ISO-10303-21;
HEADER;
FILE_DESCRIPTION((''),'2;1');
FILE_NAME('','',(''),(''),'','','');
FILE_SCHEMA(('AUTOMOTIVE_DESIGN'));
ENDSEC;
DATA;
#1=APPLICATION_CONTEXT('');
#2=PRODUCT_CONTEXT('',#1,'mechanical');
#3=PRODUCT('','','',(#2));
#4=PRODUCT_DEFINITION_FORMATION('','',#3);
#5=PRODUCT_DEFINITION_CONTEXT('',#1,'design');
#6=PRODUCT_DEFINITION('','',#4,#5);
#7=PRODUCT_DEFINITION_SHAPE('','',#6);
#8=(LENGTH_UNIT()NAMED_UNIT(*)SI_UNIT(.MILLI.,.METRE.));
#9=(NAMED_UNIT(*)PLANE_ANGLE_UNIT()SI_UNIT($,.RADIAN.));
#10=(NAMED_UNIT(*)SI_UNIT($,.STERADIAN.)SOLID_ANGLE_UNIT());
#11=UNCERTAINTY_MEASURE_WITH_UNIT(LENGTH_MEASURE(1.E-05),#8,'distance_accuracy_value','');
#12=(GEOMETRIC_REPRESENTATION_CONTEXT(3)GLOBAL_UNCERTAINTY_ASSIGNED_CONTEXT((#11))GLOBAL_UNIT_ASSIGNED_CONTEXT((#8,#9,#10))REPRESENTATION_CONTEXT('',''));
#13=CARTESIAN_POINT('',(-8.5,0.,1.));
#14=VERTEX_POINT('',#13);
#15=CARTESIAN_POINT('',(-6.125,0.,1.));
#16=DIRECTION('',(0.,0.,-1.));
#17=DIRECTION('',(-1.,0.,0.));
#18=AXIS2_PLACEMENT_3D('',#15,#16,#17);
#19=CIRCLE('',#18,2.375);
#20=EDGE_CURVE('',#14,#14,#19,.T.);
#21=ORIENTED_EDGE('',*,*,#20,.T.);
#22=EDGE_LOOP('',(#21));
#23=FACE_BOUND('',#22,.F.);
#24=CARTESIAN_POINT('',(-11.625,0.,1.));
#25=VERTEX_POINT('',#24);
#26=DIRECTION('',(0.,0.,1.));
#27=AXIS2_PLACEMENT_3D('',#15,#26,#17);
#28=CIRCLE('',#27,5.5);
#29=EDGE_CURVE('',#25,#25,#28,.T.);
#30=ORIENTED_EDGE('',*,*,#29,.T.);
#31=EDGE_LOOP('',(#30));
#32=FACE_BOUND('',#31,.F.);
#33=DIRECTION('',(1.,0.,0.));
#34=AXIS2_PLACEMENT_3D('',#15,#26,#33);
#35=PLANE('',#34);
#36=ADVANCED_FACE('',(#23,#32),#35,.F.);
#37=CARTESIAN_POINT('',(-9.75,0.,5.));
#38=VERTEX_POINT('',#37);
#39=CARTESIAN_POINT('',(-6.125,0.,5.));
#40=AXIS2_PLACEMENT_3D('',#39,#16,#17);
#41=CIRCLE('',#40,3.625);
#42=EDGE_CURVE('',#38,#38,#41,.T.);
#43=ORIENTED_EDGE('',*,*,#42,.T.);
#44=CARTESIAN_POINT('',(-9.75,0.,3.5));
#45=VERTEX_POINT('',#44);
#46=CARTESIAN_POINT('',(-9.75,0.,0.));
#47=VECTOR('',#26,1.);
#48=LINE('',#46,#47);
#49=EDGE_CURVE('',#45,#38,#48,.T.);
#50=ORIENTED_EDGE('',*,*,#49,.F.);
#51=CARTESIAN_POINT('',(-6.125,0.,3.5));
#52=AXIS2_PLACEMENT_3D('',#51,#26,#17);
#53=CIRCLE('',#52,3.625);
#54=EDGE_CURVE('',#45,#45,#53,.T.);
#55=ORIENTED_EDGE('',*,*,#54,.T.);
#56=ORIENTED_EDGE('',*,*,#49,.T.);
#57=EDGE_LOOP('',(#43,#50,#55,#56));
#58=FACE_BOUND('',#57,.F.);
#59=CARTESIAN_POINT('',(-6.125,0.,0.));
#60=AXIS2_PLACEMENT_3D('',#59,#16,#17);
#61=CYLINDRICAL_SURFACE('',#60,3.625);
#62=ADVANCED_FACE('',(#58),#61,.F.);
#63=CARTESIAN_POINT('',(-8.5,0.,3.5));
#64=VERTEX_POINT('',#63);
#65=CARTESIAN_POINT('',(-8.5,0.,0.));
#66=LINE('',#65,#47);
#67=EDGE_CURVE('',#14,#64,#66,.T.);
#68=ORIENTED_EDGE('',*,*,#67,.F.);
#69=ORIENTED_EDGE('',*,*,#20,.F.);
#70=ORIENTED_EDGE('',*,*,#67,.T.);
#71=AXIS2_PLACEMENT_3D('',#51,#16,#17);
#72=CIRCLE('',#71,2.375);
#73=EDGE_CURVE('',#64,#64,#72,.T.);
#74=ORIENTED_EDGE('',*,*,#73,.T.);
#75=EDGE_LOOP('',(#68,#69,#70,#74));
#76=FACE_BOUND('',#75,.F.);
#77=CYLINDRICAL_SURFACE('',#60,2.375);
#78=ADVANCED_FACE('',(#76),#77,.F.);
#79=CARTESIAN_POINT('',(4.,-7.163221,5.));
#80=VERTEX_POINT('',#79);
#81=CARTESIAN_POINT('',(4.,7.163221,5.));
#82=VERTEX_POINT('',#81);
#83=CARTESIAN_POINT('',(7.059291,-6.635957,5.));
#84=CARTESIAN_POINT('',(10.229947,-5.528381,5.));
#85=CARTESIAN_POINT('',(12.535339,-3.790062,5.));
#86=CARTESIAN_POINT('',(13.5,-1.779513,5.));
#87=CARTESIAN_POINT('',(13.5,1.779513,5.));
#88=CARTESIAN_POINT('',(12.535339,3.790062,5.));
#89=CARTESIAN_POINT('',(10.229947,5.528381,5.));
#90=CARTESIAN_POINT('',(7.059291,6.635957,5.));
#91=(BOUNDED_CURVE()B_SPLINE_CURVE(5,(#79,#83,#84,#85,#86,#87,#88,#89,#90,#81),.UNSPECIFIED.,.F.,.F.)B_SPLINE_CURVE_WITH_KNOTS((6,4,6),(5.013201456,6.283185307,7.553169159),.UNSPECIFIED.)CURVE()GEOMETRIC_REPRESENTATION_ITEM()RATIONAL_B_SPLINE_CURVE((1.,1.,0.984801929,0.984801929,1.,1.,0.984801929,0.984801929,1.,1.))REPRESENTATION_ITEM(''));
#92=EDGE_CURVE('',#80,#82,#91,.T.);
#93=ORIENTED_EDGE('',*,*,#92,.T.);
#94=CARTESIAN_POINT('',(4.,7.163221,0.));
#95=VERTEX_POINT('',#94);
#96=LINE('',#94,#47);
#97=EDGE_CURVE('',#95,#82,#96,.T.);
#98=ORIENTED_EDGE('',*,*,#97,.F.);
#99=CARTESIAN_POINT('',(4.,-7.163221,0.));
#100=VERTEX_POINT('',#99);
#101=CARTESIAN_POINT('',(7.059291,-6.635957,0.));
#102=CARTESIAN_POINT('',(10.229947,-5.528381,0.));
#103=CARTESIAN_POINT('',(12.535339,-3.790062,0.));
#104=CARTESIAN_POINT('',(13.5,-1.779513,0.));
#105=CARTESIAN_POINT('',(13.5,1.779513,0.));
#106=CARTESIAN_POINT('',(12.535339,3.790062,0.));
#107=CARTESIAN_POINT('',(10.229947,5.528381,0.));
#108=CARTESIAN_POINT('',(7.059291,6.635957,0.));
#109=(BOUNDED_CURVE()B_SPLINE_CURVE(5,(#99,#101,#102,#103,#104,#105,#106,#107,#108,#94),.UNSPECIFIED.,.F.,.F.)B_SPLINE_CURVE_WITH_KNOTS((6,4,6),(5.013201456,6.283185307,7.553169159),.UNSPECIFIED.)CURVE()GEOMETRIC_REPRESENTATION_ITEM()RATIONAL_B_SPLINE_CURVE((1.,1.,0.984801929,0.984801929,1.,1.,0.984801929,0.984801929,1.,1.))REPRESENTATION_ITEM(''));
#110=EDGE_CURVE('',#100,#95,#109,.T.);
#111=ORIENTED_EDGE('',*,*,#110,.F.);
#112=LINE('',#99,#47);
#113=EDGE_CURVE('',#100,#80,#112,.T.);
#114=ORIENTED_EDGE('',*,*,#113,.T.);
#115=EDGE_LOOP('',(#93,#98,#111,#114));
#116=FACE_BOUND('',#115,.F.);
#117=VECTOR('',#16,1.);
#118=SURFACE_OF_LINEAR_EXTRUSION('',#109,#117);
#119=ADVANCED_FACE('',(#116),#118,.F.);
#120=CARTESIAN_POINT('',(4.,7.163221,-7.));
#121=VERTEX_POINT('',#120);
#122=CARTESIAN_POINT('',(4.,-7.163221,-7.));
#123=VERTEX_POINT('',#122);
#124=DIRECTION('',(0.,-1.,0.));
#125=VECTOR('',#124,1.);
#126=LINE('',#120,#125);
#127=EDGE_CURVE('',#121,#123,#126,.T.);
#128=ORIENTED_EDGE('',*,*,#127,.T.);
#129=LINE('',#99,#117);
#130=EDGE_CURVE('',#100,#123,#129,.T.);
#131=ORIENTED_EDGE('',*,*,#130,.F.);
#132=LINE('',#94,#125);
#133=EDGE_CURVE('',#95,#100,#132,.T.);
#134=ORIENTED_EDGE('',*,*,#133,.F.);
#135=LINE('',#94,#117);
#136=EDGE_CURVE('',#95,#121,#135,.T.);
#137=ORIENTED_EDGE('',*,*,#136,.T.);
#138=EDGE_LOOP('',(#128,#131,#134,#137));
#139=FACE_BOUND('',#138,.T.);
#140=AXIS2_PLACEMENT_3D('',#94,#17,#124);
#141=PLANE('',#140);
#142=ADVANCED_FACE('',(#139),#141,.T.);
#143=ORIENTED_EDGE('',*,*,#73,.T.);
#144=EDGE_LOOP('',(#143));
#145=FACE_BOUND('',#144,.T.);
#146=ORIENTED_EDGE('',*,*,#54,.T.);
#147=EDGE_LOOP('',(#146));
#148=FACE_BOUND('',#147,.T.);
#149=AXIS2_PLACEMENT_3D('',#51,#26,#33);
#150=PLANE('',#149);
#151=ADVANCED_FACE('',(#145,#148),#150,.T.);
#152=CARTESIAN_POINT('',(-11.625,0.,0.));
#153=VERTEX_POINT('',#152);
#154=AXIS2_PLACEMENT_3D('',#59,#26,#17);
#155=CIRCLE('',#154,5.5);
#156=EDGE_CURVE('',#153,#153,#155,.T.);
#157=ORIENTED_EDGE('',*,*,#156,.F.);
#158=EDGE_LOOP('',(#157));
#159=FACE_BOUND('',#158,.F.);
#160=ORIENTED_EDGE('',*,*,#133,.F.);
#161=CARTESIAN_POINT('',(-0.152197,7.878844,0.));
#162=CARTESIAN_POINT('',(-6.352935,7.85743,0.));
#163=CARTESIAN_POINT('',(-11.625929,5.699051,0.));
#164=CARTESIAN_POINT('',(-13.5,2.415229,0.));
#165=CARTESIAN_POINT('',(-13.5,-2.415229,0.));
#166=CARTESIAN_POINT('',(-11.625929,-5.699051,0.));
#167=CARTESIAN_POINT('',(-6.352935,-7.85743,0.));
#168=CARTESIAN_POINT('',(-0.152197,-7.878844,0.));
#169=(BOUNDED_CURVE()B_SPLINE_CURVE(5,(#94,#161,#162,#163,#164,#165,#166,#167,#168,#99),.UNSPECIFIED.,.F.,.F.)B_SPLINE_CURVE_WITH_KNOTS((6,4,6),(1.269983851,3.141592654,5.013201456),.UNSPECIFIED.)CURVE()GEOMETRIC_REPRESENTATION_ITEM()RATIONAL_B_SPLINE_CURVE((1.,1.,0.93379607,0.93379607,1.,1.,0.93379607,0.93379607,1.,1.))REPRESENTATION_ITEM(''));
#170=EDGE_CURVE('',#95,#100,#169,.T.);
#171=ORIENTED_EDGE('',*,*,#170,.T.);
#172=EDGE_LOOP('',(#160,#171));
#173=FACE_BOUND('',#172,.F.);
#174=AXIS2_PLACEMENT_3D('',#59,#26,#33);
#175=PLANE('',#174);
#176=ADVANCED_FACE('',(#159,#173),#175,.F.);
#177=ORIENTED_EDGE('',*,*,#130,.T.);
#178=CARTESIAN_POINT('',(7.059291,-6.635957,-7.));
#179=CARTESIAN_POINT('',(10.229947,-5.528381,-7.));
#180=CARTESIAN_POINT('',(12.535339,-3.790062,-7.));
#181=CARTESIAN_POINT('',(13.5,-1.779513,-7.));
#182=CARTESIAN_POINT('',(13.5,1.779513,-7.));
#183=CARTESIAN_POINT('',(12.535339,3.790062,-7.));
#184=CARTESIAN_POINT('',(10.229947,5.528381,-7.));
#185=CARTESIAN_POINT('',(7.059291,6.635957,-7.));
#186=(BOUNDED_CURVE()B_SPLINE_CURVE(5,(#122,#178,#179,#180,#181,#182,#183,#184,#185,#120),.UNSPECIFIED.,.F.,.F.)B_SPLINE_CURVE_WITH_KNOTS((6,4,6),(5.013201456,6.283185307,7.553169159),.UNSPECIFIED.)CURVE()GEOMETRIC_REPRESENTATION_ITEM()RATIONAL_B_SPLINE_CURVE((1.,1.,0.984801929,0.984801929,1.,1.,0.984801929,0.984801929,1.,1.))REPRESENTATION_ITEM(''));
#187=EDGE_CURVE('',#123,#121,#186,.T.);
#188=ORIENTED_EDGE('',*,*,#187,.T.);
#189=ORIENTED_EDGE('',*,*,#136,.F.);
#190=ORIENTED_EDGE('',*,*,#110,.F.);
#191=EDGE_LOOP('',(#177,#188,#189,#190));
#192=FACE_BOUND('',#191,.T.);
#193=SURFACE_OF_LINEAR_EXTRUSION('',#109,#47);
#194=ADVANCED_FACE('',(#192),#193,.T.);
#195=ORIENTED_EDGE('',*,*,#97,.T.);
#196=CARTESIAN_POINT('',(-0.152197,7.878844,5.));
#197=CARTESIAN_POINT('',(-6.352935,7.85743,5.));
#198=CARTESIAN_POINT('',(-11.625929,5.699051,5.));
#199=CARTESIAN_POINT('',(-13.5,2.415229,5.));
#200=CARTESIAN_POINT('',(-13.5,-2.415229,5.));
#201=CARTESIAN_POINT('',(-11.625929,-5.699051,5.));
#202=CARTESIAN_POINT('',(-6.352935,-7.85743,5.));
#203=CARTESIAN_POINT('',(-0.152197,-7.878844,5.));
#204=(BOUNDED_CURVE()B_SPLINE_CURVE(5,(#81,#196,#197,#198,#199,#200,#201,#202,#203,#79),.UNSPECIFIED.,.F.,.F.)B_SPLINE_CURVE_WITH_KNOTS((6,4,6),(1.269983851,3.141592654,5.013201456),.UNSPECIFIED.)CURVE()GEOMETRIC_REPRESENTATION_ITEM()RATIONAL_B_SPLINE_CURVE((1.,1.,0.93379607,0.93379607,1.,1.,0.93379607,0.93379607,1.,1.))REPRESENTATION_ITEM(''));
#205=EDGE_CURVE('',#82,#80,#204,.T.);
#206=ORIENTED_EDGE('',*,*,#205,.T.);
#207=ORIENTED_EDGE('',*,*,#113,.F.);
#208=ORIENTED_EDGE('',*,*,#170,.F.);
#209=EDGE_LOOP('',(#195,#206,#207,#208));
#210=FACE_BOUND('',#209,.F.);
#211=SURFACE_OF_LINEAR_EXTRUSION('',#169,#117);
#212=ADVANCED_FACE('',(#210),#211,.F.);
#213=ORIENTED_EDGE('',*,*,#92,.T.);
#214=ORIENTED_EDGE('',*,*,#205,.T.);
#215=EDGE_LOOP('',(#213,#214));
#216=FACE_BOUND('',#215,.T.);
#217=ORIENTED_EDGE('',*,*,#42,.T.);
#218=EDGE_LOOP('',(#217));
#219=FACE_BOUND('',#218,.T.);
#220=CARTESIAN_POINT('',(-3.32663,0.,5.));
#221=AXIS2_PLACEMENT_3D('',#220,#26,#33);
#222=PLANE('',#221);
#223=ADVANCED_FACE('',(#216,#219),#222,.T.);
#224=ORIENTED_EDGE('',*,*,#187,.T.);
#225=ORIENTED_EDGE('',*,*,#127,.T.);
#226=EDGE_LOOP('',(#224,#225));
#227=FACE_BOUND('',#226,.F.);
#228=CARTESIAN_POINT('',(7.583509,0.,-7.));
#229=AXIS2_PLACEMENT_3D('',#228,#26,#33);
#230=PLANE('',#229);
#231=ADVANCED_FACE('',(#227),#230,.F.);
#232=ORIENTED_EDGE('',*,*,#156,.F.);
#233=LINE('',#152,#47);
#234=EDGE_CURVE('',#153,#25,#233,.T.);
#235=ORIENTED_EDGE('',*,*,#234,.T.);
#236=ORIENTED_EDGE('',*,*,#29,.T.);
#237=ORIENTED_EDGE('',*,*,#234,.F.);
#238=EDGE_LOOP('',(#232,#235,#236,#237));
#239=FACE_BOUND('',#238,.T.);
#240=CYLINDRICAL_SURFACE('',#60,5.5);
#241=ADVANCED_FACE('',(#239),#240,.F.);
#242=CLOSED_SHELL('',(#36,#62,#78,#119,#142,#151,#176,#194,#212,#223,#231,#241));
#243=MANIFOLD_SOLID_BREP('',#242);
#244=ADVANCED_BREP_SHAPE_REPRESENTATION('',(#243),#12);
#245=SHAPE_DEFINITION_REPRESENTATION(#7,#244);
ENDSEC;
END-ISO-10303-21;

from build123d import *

# Parameters (mm, degrees)
F1_DEPTH = 5
F2_DEPTH = 3.5
F3_DEPTH = 7
F4_DEPTH = 1


with BuildPart() as f1:
    # F0 (on Top) → F1 (new body)
    with BuildSketch(Plane.XY):
        with BuildLine():
            Line((4, -7.1632205323), (4, 7.1632205323))
            add(Edge.make_bspline(
                [(4, 7.1632205323), (-13.5, 10.1793133881), (-13.5, 0)],
                knots=[1.2699838515, 1.2699838515, 1.2699838515, 3.1415926536, 3.1415926536, 3.1415926536], degree=2, weights=[1, 0.593171014, 1]))
            add(Edge.make_bspline(
                [(-13.5, 0), (-13.5, -10.1793133881), (4, -7.1632205323)],
                knots=[3.1415926536, 3.1415926536, 3.1415926536, 5.0132014556, 5.0132014556, 5.0132014556], degree=2, weights=[1, 0.593171014, 1]))
        make_face()
        with BuildLine():
            ThreePointArc((-0.625, 0), (-6.125, -5.5), (-11.625, 0))
            ThreePointArc((-11.625, 0), (-6.125, 5.5), (-0.625, 0))
        make_face(mode=Mode.SUBTRACT)
        with BuildLine():
            add(Edge.make_bspline(
                [(4, -7.1632205323), (13.5, -5.5259129821), (13.5, 0)],
                knots=[5.0132014556, 5.0132014556, 5.0132014556, 6.2831853072, 6.2831853072, 6.2831853072], degree=2, weights=[1, 0.8050764859, 1]))
            add(Edge.make_bspline(
                [(13.5, 0), (13.5, 5.5259129821), (4, 7.1632205323)],
                knots=[0, 0, 0, 1.2699838515, 1.2699838515, 1.2699838515], degree=2, weights=[1, 0.8050764859, 1]))
            Line((4, 7.1632205323), (4, -7.1632205323))
        make_face()
        with BuildLine():
            ThreePointArc((-0.625, 0), (-6.125, 5.5), (-11.625, 0))
            ThreePointArc((-11.625, 0), (-6.125, -5.5), (-0.625, 0))
        make_face()
        with BuildLine():
            ThreePointArc((-2.5, 0), (-6.125, -3.625), (-9.75, 0))
            ThreePointArc((-9.75, 0), (-6.125, 3.625), (-2.5, 0))
        make_face(mode=Mode.SUBTRACT)
    extrude(amount=F1_DEPTH)

    # F0 (on Top) → F2 (join)
    with BuildSketch(Plane.XY):
        with BuildLine():
            ThreePointArc((-2.5, 0), (-6.125, 3.625), (-9.75, 0))
            ThreePointArc((-9.75, 0), (-6.125, -3.625), (-2.5, 0))
        make_face()
        with BuildLine():
            ThreePointArc((-3.75, 0), (-6.125, -2.375), (-8.5, 0))
            ThreePointArc((-8.5, 0), (-6.125, 2.375), (-3.75, 0))
        make_face(mode=Mode.SUBTRACT)
    extrude(amount=F2_DEPTH)

    # F0 (on Top) → F3 (join)
    with BuildSketch(Plane.XY):
        with BuildLine():
            add(Edge.make_bspline(
                [(4, -7.1632205323), (13.5, -5.5259129821), (13.5, 0)],
                knots=[5.0132014556, 5.0132014556, 5.0132014556, 6.2831853072, 6.2831853072, 6.2831853072], degree=2, weights=[1, 0.8050764859, 1]))
            add(Edge.make_bspline(
                [(13.5, 0), (13.5, 5.5259129821), (4, 7.1632205323)],
                knots=[0, 0, 0, 1.2699838515, 1.2699838515, 1.2699838515], degree=2, weights=[1, 0.8050764859, 1]))
            Line((4, 7.1632205323), (4, -7.1632205323))
        make_face()
    extrude(amount=-F3_DEPTH)

    # F0 (on Top) → F4 (cut)
    with BuildSketch(Plane.XY):
        with BuildLine():
            ThreePointArc((-0.625, 0), (-6.125, 5.5), (-11.625, 0))
            ThreePointArc((-11.625, 0), (-6.125, -5.5), (-0.625, 0))
        make_face()
        with BuildLine():
            ThreePointArc((-2.5, 0), (-6.125, -3.625), (-9.75, 0))
            ThreePointArc((-9.75, 0), (-6.125, 3.625), (-2.5, 0))
        make_face(mode=Mode.SUBTRACT)
        with BuildLine():
            ThreePointArc((-2.5, 0), (-6.125, 3.625), (-9.75, 0))
            ThreePointArc((-9.75, 0), (-6.125, -3.625), (-2.5, 0))
        make_face()
        with BuildLine():
            ThreePointArc((-3.75, 0), (-6.125, -2.375), (-8.5, 0))
            ThreePointArc((-8.5, 0), (-6.125, 2.375), (-3.75, 0))
        make_face(mode=Mode.SUBTRACT)
    extrude(amount=F4_DEPTH, mode=Mode.SUBTRACT)


solid = f1.part
